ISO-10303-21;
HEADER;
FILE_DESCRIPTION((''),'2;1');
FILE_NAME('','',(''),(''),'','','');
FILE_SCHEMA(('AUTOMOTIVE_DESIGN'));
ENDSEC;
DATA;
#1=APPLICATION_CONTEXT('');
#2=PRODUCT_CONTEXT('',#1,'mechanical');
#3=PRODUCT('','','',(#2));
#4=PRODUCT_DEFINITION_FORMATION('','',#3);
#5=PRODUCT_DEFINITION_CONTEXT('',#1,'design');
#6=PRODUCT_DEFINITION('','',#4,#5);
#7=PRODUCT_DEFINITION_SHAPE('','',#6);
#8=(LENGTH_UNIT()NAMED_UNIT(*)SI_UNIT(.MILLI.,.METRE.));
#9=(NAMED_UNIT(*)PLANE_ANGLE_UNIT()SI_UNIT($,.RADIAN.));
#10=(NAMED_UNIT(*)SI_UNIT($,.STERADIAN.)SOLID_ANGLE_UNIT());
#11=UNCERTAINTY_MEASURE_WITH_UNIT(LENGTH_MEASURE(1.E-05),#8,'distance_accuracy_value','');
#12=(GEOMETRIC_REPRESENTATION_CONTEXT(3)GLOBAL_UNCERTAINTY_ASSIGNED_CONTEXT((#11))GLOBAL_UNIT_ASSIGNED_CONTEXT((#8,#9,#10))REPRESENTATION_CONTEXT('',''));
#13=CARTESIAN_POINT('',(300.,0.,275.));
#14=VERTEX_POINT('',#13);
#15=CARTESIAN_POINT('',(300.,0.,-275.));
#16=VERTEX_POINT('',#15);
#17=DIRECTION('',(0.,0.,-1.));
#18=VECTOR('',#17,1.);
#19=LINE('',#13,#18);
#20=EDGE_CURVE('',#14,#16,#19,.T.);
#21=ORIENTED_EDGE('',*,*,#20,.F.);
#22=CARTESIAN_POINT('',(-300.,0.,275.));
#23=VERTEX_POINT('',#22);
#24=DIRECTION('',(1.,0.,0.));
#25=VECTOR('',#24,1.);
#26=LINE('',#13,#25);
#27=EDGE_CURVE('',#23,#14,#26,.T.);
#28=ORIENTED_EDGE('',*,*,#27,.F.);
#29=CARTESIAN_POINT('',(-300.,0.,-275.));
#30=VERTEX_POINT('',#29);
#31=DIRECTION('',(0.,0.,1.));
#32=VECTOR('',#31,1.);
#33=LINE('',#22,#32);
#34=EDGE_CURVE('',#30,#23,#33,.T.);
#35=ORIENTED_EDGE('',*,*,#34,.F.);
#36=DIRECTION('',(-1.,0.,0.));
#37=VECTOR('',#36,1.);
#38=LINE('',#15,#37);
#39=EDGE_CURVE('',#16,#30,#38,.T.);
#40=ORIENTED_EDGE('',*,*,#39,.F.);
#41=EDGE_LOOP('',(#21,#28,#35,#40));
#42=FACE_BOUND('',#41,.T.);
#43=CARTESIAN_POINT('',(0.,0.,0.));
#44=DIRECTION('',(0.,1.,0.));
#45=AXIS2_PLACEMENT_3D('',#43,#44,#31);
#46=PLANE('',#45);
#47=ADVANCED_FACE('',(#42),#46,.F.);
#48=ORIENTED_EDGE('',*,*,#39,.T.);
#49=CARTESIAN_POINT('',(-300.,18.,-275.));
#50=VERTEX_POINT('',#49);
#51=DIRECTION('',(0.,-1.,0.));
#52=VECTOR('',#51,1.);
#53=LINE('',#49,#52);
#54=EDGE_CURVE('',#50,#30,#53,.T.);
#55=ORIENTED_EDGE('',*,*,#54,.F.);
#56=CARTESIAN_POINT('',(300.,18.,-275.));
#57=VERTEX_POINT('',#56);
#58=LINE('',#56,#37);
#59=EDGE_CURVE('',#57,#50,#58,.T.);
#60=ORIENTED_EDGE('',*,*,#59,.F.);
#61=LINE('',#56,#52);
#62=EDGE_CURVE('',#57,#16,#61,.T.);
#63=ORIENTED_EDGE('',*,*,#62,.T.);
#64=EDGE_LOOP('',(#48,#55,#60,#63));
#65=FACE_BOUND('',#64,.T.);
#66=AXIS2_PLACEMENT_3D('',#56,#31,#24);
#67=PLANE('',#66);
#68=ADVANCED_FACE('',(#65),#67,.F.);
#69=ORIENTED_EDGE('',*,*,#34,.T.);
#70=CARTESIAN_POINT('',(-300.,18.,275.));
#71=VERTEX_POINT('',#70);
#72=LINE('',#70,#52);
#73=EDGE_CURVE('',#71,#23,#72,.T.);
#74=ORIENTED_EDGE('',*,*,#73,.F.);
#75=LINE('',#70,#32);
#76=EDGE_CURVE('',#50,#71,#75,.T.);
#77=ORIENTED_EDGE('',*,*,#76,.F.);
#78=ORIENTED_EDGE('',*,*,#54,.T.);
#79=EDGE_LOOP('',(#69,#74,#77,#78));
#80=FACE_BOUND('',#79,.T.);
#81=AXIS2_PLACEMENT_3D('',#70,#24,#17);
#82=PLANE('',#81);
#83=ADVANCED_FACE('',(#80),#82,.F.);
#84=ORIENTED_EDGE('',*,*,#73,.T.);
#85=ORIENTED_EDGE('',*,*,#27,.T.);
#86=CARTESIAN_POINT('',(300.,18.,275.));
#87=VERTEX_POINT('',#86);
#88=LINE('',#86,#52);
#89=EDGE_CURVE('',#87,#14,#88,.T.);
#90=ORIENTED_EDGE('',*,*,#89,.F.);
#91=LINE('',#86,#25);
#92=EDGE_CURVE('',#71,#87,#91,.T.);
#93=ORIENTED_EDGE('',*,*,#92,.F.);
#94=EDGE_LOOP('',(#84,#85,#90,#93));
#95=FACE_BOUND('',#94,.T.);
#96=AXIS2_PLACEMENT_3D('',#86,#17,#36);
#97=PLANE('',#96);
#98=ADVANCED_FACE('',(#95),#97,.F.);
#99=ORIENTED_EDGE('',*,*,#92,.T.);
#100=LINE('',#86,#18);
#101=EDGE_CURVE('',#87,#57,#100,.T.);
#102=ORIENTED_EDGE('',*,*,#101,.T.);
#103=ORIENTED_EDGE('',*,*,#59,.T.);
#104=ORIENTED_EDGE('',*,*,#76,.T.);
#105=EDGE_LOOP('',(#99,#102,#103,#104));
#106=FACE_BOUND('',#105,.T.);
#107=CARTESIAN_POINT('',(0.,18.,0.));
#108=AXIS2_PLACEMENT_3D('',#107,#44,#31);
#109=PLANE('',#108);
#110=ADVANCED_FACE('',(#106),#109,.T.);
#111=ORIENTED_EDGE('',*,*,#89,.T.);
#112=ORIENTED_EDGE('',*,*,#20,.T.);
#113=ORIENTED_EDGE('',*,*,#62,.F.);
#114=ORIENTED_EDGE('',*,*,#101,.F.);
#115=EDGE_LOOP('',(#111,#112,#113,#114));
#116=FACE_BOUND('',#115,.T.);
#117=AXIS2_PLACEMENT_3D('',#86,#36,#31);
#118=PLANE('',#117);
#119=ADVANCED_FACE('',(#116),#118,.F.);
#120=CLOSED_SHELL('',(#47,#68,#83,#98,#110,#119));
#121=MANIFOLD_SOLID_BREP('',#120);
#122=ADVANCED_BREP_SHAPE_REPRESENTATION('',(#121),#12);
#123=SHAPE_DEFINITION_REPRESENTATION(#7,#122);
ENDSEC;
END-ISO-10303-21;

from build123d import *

# Parameters (mm, degrees)
SKETCH_1_W      = 600
SKETCH_1_H      = 550
EXTRUDE_1_DEPTH = 18


with BuildPart() as part:
    # Эскиз1 → Бобышка-Вытянуть1 (new body)
    with BuildSketch(Plane(origin=(0, 0, 0), x_dir=(1, 0, 0), z_dir=(0, 1, 0))):
        Rectangle(SKETCH_1_W, SKETCH_1_H)
    extrude(amount=EXTRUDE_1_DEPTH)


solid = part.part
